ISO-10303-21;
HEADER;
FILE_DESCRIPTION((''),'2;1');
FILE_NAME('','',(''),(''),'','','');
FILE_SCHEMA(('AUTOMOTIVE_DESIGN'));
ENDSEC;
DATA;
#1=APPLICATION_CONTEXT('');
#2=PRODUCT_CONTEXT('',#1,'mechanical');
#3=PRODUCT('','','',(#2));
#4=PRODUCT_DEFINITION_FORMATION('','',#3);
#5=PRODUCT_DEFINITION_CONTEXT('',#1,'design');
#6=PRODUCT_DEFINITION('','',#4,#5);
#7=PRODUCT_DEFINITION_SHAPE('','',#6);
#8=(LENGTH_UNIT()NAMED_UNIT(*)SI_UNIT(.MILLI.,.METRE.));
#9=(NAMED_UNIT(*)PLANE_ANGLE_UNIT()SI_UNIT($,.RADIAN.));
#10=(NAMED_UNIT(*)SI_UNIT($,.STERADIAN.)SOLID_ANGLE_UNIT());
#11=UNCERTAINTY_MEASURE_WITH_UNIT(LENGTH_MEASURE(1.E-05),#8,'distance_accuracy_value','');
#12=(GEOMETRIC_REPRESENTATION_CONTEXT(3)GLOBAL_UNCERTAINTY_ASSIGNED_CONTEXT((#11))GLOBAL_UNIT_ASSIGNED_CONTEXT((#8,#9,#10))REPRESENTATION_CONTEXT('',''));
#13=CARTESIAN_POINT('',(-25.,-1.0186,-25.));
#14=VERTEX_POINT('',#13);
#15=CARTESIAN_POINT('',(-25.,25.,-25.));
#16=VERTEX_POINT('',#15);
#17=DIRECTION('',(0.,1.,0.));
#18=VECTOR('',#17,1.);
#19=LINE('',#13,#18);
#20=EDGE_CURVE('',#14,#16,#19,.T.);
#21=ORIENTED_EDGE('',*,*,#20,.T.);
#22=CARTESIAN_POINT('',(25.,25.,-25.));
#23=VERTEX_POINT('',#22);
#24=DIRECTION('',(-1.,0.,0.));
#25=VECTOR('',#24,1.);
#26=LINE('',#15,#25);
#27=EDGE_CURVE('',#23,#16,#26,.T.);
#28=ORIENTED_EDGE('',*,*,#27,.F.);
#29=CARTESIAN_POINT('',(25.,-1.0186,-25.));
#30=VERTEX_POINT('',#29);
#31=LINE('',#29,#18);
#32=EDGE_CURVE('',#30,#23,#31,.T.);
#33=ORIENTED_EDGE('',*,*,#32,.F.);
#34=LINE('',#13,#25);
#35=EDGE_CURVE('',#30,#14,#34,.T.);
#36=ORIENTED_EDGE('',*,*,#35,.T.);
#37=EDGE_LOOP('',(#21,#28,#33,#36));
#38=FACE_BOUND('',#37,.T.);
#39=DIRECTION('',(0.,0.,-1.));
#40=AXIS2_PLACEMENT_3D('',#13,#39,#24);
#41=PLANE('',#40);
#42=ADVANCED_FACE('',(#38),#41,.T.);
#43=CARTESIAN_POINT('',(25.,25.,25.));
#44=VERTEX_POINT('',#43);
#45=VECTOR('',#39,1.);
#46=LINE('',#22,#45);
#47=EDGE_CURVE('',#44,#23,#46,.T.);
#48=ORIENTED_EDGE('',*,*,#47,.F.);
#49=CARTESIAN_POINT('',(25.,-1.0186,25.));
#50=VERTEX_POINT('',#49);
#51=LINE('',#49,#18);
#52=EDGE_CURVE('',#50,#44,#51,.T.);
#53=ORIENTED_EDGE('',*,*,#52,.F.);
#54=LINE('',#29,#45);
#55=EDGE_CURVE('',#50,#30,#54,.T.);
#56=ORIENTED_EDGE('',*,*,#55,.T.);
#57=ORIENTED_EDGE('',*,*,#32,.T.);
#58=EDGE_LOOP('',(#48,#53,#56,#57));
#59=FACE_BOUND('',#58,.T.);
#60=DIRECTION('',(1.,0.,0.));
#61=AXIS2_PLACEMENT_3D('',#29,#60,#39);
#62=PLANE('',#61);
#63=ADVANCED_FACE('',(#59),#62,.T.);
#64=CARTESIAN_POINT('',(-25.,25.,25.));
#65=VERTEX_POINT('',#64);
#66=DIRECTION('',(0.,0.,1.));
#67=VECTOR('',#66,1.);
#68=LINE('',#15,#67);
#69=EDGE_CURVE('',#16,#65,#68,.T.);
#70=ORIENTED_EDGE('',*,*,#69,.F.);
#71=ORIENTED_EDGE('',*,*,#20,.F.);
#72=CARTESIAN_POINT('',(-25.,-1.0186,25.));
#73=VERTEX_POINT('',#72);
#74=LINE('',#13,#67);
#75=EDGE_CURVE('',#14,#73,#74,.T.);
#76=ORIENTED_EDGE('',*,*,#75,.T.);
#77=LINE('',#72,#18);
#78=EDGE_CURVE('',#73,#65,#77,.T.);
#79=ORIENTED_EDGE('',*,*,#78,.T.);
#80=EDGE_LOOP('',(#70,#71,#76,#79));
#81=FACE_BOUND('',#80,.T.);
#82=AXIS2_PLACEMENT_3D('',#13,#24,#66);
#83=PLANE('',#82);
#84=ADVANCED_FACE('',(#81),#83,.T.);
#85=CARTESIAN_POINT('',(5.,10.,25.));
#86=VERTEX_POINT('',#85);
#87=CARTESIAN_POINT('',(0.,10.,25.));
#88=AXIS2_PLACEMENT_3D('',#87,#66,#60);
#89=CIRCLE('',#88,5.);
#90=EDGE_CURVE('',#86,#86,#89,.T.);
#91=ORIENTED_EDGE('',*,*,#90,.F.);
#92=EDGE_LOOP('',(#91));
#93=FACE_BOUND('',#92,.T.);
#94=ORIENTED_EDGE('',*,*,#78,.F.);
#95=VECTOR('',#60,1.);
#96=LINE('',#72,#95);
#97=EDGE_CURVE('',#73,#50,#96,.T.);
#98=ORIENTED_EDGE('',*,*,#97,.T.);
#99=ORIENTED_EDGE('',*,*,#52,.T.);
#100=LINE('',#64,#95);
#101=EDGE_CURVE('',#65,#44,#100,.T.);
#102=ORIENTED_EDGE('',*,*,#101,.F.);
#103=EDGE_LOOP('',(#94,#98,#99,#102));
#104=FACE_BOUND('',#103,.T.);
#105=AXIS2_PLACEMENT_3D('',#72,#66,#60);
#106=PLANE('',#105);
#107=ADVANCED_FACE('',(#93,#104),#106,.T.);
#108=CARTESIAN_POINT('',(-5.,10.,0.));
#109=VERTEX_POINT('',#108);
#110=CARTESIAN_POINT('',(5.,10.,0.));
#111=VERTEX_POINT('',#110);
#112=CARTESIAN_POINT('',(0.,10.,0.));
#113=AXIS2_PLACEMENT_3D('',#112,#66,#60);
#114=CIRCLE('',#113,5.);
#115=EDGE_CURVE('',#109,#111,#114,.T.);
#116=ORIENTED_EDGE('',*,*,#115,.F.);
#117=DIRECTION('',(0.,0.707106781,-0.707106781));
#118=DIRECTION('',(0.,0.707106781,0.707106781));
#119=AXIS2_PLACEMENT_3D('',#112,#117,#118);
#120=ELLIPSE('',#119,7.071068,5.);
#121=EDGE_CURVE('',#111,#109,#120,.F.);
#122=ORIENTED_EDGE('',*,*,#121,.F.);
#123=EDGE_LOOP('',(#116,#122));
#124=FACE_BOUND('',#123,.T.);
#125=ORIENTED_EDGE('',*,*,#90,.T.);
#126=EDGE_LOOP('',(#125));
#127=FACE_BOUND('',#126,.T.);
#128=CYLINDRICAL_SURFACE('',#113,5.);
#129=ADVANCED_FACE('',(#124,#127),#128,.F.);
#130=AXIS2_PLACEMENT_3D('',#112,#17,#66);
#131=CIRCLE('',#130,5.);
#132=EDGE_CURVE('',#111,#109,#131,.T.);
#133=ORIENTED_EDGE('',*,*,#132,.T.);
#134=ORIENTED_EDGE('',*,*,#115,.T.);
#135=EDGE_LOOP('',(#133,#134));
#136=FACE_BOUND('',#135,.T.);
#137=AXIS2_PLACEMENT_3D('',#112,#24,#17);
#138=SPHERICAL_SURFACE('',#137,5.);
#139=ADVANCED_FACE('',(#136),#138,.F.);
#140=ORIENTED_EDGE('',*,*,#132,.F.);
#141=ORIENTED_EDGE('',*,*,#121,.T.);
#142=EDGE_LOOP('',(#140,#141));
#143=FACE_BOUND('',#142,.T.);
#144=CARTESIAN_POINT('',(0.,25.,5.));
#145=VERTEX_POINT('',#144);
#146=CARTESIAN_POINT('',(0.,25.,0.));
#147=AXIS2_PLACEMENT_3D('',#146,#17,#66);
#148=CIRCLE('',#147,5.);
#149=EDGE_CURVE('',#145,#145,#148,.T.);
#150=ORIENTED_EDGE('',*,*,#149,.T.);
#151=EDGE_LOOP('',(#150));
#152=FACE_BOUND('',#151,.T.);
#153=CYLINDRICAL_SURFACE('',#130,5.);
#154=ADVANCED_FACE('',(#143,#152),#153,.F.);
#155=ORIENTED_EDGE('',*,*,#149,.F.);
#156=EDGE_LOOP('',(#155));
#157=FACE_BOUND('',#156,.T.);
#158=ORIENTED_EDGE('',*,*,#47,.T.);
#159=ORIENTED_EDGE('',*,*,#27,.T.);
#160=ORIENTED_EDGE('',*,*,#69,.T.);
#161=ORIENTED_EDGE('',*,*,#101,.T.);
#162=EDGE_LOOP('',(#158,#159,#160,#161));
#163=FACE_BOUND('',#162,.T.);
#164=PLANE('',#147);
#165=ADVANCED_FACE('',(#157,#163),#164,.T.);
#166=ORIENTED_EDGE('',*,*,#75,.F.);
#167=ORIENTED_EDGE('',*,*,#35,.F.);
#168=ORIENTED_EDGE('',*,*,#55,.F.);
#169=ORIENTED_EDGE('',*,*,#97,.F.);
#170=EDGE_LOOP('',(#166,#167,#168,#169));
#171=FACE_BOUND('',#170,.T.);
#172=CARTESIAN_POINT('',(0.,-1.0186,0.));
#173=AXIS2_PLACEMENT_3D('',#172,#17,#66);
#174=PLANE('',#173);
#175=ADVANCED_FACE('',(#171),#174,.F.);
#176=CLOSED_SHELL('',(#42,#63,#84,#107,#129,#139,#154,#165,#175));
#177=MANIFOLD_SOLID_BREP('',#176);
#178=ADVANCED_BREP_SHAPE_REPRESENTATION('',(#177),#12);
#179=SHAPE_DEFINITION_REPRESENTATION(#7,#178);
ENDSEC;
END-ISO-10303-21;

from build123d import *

# Parameters (mm, degrees)
BOSS_EXTRUDE1_DEPTH      = 25
BOSS_EXTRUDE1_DEPTH_BACK = 1.0186
SKETCH1_W                = 50
SKETCH1_H                = 50
SKETCH11_R               = 5
CUT_EXTRUDE17_DEPTH      = 15
SKETCH14_R               = 5
CUT_EXTRUDE18_DEPTH      = 25


with BuildPart() as part:
    # Sketch1 → Boss-Extrude1 (new, two sides: drawn at the far end of the back side and taken through both)
    with BuildSketch(Plane(origin=(0, 0, 0), x_dir=(1, 0, 0), z_dir=(0, 1, 0)).offset(-BOSS_EXTRUDE1_DEPTH_BACK)):
        Rectangle(SKETCH1_W, SKETCH1_H)
    extrude(amount=BOSS_EXTRUDE1_DEPTH + BOSS_EXTRUDE1_DEPTH_BACK)

    # Sketch10 → Cut-Revolve2 (revolve, cut)
    with BuildSketch(Plane.XY):
        with BuildLine():
            Line((-5, 10), (5, 10))
            ThreePointArc((5, 10), (0, 15), (-5, 10))
        make_face()
    revolve(axis=Axis((-5, 10, 0), (1, 0, 0)), mode=Mode.SUBTRACT)

    # Sketch11 → Cut-Extrude17 (cut)
    with BuildSketch(Plane(origin=(0, 25, 0), x_dir=(1, 0, 0), z_dir=(0, 1, 0))):
        with Locations(Location((0, 0, 0), (0, 0, 270))):
            Circle(SKETCH11_R)
    extrude(amount=-CUT_EXTRUDE17_DEPTH, mode=Mode.SUBTRACT)

    # Sketch14 → Cut-Extrude18 (cut)
    with BuildSketch(Plane.XY.offset(25)):
        with Locations((0, 10)):
            Circle(SKETCH14_R)
    extrude(amount=-CUT_EXTRUDE18_DEPTH, mode=Mode.SUBTRACT)


solid = part.part
